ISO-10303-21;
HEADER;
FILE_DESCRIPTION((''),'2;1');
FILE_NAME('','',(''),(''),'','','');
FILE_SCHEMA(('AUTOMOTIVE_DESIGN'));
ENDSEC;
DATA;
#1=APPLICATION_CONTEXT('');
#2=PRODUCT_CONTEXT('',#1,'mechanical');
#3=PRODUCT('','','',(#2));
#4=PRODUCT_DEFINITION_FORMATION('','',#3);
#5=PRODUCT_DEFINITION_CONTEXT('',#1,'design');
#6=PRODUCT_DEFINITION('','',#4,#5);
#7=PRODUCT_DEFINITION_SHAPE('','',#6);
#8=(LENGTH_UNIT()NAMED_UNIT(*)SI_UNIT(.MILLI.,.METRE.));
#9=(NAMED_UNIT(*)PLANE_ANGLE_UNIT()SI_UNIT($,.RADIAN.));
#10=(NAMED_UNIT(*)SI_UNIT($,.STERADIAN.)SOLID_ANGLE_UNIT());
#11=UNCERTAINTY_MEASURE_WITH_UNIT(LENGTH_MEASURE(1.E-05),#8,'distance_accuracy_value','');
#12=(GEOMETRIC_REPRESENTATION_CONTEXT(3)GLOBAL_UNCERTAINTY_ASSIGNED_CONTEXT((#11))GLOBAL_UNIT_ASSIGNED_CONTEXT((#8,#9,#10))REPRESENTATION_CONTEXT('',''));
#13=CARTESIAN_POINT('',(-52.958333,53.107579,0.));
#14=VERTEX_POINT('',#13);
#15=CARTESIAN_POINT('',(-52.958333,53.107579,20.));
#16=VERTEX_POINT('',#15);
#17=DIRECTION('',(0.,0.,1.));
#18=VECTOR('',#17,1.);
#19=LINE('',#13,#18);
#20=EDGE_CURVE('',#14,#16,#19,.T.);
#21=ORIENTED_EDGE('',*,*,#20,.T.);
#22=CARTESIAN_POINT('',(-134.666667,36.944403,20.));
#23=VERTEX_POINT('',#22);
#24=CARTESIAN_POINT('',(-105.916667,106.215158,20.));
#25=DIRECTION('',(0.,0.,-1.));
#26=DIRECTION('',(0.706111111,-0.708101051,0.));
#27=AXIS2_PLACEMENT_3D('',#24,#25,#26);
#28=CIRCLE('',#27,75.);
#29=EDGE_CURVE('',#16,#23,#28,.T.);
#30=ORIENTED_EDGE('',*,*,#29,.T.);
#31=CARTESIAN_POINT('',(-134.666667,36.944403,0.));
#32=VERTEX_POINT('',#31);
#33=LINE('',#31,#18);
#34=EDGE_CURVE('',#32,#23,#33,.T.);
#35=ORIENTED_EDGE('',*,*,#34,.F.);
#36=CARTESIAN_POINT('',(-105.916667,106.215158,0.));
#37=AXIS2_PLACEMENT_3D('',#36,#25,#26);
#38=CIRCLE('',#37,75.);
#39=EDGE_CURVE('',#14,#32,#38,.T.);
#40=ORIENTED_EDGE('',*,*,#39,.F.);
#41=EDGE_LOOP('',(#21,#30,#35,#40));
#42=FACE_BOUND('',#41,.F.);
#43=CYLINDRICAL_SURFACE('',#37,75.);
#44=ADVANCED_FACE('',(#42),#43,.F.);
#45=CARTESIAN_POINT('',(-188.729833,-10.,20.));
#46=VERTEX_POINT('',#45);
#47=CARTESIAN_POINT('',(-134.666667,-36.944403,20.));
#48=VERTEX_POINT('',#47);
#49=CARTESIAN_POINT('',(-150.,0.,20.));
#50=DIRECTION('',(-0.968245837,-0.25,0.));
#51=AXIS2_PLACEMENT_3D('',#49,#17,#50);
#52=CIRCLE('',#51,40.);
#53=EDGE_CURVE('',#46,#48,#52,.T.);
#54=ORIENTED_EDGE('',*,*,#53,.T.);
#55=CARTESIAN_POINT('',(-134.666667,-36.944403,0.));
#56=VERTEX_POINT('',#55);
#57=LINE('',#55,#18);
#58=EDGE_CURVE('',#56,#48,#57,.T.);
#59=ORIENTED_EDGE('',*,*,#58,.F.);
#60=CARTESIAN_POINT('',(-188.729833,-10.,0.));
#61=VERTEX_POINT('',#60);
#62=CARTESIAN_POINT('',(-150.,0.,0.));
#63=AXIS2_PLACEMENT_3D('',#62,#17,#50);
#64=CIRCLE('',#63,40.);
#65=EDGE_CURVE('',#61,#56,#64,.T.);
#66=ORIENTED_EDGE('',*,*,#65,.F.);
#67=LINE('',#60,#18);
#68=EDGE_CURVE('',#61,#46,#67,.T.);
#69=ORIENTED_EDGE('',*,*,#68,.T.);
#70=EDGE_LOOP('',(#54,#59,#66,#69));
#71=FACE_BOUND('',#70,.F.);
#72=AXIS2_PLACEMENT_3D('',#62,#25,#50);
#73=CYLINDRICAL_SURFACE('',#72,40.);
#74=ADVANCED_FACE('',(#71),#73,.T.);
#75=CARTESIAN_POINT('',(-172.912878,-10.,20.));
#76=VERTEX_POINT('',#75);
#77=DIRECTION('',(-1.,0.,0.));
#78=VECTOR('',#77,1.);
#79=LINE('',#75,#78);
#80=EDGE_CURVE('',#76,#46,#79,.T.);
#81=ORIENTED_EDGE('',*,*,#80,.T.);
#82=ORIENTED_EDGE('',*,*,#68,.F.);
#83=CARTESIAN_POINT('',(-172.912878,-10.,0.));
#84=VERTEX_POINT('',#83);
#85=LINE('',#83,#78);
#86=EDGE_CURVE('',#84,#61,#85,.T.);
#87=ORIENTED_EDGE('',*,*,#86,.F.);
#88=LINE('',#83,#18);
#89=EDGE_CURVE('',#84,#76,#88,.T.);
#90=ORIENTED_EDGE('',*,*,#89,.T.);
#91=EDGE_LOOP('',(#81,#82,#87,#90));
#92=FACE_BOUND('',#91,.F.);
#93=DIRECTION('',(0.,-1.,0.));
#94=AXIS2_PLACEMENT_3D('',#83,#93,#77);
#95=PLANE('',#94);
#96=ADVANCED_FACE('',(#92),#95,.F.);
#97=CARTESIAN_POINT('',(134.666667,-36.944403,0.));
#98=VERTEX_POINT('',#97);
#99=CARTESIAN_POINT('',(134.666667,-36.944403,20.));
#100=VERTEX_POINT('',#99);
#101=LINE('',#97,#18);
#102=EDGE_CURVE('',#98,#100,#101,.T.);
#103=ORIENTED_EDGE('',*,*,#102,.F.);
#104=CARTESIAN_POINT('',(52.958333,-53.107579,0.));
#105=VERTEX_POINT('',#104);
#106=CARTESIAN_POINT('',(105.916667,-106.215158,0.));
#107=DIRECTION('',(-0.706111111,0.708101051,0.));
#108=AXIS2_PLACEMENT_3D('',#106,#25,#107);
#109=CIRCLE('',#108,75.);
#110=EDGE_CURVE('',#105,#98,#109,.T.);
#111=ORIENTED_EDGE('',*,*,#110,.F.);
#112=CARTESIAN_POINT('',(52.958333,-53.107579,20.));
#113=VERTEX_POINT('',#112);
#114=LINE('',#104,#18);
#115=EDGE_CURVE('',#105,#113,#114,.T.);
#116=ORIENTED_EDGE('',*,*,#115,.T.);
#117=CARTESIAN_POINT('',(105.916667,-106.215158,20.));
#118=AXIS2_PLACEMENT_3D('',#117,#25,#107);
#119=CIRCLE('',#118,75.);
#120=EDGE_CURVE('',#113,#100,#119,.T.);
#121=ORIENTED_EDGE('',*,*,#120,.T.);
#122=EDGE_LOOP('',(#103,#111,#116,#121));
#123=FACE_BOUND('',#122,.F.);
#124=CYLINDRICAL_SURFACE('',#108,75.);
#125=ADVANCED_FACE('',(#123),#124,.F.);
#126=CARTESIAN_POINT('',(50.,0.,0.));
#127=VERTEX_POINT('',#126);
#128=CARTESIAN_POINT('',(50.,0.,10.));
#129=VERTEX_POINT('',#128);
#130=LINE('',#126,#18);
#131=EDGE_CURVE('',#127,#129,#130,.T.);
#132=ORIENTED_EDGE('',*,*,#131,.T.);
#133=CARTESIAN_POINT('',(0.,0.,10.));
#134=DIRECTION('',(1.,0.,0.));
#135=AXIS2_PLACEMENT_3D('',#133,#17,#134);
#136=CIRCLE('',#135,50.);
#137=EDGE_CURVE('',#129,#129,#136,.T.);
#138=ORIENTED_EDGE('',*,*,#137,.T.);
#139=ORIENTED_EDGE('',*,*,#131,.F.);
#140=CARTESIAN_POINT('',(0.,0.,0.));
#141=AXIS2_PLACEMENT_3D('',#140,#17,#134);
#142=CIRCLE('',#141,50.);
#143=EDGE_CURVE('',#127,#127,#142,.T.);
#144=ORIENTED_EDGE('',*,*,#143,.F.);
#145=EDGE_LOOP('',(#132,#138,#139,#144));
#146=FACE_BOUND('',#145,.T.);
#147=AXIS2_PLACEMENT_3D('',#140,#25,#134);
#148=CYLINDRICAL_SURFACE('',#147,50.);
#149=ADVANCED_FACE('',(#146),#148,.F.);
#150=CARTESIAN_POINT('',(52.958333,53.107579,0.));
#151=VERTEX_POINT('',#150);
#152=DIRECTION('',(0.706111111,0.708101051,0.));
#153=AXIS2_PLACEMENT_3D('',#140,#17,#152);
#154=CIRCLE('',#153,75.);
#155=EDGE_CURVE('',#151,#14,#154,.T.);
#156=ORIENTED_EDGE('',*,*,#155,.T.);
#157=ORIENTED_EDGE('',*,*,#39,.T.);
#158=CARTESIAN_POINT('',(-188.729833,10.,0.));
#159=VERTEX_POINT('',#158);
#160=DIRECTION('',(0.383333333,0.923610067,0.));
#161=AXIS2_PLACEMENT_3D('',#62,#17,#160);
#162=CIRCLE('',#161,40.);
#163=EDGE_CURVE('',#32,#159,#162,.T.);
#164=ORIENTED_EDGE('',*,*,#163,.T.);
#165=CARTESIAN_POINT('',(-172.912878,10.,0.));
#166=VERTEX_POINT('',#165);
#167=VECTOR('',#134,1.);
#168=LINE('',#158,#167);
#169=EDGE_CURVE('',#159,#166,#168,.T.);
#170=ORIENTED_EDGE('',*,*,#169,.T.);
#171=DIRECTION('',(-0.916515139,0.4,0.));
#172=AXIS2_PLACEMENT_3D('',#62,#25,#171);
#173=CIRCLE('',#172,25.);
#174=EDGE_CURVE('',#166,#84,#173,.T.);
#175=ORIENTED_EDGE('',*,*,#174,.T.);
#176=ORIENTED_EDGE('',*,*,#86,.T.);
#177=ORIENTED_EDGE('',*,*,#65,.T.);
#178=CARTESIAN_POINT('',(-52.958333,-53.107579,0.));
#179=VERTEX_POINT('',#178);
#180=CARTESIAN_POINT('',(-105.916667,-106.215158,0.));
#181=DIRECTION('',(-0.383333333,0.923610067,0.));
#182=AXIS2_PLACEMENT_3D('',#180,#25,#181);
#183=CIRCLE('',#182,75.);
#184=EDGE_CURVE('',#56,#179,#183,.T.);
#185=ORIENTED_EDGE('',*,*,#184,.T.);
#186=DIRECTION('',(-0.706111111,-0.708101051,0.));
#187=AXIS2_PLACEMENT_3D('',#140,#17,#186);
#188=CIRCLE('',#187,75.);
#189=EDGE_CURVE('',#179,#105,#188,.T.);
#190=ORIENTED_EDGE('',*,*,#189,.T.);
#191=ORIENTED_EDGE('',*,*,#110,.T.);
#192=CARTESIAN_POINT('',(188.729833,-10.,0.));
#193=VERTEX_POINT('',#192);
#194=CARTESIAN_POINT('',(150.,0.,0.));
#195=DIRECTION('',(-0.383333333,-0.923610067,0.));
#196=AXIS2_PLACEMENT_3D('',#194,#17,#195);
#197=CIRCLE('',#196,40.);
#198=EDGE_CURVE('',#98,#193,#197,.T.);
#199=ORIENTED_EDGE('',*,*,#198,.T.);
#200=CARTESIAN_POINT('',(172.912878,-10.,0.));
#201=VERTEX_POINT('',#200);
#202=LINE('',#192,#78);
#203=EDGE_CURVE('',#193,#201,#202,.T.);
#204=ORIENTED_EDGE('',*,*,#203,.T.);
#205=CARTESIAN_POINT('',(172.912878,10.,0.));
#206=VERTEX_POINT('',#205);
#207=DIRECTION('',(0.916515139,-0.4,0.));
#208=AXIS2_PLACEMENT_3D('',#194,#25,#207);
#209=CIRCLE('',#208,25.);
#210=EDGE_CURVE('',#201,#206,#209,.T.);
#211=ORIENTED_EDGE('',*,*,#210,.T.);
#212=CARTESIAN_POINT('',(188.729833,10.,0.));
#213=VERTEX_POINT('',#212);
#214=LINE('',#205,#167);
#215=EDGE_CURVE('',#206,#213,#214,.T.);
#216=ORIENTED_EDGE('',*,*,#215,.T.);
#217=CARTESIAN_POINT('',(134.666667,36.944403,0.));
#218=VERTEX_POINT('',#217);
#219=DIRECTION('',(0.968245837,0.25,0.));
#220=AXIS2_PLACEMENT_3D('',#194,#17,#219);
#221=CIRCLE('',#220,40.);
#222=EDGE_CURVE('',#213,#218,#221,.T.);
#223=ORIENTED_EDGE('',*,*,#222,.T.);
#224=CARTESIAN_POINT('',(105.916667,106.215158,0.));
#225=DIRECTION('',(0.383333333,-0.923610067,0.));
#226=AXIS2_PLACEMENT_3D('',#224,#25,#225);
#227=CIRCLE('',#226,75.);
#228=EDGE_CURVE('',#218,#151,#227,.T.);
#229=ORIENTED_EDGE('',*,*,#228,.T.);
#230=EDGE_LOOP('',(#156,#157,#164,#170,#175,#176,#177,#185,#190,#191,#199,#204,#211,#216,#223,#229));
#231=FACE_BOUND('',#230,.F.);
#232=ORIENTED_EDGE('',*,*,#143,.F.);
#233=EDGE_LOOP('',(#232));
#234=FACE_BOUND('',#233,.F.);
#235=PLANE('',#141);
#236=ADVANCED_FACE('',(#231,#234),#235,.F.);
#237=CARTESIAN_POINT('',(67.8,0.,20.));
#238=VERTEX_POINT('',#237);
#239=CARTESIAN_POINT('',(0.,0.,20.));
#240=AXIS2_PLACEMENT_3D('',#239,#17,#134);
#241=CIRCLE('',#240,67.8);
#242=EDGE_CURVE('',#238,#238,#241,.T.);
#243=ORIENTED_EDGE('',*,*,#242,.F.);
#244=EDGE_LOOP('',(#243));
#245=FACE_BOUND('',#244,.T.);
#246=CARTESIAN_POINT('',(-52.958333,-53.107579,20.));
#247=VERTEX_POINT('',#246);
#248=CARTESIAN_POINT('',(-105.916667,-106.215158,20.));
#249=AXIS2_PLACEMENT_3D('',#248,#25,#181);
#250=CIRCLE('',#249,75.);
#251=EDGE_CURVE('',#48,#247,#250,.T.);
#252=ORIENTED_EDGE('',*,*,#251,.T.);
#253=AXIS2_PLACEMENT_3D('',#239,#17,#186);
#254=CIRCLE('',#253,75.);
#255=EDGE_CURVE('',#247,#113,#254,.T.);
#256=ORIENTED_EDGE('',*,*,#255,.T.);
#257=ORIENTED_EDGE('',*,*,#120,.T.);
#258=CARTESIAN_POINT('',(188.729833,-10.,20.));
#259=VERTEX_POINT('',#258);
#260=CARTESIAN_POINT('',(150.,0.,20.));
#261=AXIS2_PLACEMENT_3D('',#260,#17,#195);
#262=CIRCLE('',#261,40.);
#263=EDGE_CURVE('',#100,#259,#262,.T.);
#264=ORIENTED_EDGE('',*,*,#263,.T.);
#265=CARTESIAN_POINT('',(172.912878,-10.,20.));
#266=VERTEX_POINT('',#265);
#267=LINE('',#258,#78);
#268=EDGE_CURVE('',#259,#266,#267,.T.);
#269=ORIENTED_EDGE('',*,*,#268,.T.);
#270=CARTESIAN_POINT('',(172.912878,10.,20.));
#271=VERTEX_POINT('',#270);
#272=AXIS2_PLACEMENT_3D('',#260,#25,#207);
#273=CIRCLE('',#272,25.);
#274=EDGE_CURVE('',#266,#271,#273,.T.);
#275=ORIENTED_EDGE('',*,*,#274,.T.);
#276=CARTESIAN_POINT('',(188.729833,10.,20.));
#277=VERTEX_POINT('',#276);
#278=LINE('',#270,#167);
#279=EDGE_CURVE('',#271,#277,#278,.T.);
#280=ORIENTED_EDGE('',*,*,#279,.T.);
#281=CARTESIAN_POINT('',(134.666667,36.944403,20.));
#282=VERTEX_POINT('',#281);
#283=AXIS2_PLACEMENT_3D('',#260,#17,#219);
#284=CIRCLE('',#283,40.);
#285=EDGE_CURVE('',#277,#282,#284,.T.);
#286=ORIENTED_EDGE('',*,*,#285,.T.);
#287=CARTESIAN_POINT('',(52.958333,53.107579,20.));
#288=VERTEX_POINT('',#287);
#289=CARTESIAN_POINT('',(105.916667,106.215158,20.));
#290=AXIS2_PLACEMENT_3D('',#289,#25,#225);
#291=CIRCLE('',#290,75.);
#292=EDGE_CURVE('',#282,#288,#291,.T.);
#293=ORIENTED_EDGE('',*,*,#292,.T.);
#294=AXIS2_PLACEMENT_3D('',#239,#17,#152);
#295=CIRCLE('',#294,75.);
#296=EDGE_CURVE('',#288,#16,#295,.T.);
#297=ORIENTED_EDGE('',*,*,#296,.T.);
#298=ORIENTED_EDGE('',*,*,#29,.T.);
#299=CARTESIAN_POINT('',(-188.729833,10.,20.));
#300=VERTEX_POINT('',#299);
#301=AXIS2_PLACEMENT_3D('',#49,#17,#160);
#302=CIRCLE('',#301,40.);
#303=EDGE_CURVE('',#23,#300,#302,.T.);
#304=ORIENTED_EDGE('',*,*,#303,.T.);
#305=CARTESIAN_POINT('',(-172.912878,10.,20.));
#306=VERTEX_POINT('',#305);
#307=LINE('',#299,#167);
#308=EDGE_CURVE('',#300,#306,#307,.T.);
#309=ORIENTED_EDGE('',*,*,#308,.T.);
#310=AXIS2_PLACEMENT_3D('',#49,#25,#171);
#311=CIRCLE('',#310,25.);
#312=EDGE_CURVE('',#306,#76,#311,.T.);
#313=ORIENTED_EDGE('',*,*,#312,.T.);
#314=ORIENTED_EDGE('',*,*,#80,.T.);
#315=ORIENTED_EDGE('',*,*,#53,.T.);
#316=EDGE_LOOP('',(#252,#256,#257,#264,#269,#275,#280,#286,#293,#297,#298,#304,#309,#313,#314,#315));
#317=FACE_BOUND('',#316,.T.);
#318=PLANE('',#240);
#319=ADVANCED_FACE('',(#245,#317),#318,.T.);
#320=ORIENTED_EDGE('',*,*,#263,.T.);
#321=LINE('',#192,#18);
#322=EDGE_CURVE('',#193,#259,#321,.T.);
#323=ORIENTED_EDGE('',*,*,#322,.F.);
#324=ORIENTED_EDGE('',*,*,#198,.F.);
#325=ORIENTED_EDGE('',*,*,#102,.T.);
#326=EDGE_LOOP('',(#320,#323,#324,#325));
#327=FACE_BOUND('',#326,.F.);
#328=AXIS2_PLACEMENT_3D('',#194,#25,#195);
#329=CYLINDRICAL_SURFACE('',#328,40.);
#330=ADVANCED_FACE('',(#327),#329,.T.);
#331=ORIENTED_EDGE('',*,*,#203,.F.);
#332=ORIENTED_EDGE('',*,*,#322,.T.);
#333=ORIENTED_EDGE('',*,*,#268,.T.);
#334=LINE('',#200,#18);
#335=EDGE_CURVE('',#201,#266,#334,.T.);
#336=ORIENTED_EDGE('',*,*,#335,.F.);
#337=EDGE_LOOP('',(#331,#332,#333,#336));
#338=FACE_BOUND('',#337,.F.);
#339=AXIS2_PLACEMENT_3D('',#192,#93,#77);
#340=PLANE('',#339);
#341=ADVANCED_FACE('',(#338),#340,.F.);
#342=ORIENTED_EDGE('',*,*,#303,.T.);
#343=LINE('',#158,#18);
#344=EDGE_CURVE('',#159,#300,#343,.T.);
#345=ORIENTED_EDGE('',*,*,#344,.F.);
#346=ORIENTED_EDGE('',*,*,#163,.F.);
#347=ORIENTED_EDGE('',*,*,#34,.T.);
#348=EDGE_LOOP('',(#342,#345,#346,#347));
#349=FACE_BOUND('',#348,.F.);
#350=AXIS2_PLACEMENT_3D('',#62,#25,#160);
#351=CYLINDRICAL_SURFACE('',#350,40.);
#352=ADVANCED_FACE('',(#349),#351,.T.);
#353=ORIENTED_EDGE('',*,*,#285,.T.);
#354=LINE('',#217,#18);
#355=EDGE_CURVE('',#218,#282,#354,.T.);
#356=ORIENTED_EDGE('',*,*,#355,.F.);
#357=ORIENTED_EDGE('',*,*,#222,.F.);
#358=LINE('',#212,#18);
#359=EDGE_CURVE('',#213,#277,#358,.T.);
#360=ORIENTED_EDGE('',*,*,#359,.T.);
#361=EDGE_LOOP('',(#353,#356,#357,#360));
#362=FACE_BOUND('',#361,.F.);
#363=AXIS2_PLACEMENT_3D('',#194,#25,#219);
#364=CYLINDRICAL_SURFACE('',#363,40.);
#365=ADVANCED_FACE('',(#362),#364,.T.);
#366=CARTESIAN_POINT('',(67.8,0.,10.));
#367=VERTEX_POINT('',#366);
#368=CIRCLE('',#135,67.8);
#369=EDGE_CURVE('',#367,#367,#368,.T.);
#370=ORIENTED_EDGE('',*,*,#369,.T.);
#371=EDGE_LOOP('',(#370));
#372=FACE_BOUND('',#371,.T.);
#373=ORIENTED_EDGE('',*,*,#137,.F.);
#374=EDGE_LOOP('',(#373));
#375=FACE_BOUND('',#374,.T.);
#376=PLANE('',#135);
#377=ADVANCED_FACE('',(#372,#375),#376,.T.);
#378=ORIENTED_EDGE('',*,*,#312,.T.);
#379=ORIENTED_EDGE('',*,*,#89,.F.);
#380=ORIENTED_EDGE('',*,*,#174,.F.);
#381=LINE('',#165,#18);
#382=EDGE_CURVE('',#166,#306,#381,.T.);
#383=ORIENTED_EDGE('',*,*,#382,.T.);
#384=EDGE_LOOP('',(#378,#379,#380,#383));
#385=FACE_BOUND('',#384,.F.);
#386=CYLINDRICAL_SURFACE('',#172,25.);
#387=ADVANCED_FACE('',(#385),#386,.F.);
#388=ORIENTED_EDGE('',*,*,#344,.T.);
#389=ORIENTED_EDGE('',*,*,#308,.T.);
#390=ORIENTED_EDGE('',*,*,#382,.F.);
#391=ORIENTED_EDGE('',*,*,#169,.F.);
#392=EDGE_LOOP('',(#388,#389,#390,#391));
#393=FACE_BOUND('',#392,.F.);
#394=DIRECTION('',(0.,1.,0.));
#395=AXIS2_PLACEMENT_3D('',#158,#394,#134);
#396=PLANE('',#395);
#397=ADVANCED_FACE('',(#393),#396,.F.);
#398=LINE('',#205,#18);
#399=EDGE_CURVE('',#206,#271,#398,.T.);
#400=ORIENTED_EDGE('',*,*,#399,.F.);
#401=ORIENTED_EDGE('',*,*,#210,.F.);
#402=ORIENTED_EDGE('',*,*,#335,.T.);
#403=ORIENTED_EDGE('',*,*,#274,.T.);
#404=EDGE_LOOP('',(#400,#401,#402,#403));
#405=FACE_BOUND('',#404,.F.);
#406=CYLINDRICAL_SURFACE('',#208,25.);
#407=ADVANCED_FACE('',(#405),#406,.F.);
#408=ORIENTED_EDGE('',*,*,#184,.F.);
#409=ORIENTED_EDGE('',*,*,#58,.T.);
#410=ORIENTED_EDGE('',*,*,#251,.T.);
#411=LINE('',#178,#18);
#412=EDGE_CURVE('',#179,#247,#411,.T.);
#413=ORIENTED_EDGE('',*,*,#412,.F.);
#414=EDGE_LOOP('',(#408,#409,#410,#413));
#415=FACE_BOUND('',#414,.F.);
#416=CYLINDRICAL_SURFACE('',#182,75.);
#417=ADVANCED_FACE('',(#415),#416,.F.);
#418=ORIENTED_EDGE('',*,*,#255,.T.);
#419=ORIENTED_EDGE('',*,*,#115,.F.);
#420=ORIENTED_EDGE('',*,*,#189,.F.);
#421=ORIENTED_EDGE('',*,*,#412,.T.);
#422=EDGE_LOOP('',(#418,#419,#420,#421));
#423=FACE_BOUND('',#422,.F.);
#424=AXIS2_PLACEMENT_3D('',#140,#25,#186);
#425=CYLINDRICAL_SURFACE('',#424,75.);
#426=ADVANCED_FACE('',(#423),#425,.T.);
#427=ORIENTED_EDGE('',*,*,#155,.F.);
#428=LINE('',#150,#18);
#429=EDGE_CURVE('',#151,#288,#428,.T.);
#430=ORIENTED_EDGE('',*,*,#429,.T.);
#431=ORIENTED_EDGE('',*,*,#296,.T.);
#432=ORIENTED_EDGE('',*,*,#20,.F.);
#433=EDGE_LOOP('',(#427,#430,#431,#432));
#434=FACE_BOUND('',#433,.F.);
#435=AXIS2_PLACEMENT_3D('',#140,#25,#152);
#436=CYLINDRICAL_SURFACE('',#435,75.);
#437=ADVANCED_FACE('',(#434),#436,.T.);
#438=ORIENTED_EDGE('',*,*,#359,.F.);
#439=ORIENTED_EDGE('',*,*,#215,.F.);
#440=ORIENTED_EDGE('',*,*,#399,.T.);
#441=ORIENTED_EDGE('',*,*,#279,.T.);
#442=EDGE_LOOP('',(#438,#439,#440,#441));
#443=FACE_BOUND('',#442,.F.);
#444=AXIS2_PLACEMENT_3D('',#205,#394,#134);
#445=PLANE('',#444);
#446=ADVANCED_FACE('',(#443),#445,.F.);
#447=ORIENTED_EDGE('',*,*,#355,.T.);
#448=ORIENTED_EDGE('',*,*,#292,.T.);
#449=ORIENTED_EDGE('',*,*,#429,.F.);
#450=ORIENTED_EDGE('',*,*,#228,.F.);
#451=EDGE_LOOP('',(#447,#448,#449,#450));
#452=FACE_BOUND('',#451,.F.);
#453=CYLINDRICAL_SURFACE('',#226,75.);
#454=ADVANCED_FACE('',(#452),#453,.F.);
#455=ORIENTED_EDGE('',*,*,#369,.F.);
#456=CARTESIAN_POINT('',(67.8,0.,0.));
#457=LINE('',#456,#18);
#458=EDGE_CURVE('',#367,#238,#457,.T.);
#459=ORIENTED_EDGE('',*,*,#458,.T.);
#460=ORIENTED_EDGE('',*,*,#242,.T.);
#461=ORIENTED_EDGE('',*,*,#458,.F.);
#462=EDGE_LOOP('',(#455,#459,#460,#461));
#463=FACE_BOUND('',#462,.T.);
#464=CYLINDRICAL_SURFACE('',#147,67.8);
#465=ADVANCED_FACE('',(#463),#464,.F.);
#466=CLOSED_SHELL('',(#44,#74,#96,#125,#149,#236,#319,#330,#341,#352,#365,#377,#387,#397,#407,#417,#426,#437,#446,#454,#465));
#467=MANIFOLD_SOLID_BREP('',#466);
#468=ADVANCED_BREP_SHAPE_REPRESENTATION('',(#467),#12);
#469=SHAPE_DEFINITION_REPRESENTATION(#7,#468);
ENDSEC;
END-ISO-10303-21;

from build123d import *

# Parameters (mm, degrees)
ESQUISSE1_R        = 67.8
BOSS_EXTRU_1_DEPTH = 20
ESQUISSE1_4_R      = 67.8
ESQUISSE1_4_R_2    = 50
BOSS_EXTRU_2_DEPTH = 10


with BuildPart() as part:
    # Esquisse1 → Boss.-Extru.1 (new body)
    with BuildSketch(Plane.XY):
        with BuildLine():
            Line((-188.729833462, 10), (-172.912878475, 10))
            ThreePointArc((-172.912878475, 10), (-125, 0), (-172.912878475, -10))
            Line((-172.912878475, -10), (-188.729833462, -10))
            ThreePointArc((-188.729833462, -10), (-167.842344673, -35.800149952), (-134.666666667, -36.944402673))
            ThreePointArc((-134.666666667, -36.944402673), (-91.362529225, -32.640861336), (-52.958333333, -53.107578843))
            ThreePointArc((-52.958333333, -53.107578843), (0, -75), (52.958333333, -53.107578843))
            ThreePointArc((52.958333333, -53.107578843), (91.362529225, -32.640861336), (134.666666667, -36.944402673))
            ThreePointArc((134.666666667, -36.944402673), (167.842344673, -35.800149952), (188.729833462, -10))
            Line((188.729833462, -10), (172.912878475, -10))
            ThreePointArc((172.912878475, -10), (125, 0), (172.912878475, 10))
            Line((172.912878475, 10), (188.729833462, 10))
            ThreePointArc((188.729833462, 10), (167.842344673, 35.800149952), (134.666666667, 36.944402673))
            ThreePointArc((134.666666667, 36.944402673), (91.362529225, 32.640861336), (52.958333333, 53.107578843))
            ThreePointArc((52.958333333, 53.107578843), (0, 75), (-52.958333333, 53.107578843))
            ThreePointArc((-52.958333333, 53.107578843), (-91.362529225, 32.640861336), (-134.666666667, 36.944402673))
            ThreePointArc((-134.666666667, 36.944402673), (-167.842344673, 35.800149952), (-188.729833462, 10))
        make_face()
        Circle(ESQUISSE1_R, mode=Mode.SUBTRACT)
    extrude(amount=BOSS_EXTRU_1_DEPTH)

    # Esquisse1_4 → Boss.-Extru.2 (add)
    with BuildSketch(Plane.XY):
        Circle(ESQUISSE1_4_R)
        Circle(ESQUISSE1_4_R_2, mode=Mode.SUBTRACT)
    extrude(amount=BOSS_EXTRU_2_DEPTH)


solid = part.part
